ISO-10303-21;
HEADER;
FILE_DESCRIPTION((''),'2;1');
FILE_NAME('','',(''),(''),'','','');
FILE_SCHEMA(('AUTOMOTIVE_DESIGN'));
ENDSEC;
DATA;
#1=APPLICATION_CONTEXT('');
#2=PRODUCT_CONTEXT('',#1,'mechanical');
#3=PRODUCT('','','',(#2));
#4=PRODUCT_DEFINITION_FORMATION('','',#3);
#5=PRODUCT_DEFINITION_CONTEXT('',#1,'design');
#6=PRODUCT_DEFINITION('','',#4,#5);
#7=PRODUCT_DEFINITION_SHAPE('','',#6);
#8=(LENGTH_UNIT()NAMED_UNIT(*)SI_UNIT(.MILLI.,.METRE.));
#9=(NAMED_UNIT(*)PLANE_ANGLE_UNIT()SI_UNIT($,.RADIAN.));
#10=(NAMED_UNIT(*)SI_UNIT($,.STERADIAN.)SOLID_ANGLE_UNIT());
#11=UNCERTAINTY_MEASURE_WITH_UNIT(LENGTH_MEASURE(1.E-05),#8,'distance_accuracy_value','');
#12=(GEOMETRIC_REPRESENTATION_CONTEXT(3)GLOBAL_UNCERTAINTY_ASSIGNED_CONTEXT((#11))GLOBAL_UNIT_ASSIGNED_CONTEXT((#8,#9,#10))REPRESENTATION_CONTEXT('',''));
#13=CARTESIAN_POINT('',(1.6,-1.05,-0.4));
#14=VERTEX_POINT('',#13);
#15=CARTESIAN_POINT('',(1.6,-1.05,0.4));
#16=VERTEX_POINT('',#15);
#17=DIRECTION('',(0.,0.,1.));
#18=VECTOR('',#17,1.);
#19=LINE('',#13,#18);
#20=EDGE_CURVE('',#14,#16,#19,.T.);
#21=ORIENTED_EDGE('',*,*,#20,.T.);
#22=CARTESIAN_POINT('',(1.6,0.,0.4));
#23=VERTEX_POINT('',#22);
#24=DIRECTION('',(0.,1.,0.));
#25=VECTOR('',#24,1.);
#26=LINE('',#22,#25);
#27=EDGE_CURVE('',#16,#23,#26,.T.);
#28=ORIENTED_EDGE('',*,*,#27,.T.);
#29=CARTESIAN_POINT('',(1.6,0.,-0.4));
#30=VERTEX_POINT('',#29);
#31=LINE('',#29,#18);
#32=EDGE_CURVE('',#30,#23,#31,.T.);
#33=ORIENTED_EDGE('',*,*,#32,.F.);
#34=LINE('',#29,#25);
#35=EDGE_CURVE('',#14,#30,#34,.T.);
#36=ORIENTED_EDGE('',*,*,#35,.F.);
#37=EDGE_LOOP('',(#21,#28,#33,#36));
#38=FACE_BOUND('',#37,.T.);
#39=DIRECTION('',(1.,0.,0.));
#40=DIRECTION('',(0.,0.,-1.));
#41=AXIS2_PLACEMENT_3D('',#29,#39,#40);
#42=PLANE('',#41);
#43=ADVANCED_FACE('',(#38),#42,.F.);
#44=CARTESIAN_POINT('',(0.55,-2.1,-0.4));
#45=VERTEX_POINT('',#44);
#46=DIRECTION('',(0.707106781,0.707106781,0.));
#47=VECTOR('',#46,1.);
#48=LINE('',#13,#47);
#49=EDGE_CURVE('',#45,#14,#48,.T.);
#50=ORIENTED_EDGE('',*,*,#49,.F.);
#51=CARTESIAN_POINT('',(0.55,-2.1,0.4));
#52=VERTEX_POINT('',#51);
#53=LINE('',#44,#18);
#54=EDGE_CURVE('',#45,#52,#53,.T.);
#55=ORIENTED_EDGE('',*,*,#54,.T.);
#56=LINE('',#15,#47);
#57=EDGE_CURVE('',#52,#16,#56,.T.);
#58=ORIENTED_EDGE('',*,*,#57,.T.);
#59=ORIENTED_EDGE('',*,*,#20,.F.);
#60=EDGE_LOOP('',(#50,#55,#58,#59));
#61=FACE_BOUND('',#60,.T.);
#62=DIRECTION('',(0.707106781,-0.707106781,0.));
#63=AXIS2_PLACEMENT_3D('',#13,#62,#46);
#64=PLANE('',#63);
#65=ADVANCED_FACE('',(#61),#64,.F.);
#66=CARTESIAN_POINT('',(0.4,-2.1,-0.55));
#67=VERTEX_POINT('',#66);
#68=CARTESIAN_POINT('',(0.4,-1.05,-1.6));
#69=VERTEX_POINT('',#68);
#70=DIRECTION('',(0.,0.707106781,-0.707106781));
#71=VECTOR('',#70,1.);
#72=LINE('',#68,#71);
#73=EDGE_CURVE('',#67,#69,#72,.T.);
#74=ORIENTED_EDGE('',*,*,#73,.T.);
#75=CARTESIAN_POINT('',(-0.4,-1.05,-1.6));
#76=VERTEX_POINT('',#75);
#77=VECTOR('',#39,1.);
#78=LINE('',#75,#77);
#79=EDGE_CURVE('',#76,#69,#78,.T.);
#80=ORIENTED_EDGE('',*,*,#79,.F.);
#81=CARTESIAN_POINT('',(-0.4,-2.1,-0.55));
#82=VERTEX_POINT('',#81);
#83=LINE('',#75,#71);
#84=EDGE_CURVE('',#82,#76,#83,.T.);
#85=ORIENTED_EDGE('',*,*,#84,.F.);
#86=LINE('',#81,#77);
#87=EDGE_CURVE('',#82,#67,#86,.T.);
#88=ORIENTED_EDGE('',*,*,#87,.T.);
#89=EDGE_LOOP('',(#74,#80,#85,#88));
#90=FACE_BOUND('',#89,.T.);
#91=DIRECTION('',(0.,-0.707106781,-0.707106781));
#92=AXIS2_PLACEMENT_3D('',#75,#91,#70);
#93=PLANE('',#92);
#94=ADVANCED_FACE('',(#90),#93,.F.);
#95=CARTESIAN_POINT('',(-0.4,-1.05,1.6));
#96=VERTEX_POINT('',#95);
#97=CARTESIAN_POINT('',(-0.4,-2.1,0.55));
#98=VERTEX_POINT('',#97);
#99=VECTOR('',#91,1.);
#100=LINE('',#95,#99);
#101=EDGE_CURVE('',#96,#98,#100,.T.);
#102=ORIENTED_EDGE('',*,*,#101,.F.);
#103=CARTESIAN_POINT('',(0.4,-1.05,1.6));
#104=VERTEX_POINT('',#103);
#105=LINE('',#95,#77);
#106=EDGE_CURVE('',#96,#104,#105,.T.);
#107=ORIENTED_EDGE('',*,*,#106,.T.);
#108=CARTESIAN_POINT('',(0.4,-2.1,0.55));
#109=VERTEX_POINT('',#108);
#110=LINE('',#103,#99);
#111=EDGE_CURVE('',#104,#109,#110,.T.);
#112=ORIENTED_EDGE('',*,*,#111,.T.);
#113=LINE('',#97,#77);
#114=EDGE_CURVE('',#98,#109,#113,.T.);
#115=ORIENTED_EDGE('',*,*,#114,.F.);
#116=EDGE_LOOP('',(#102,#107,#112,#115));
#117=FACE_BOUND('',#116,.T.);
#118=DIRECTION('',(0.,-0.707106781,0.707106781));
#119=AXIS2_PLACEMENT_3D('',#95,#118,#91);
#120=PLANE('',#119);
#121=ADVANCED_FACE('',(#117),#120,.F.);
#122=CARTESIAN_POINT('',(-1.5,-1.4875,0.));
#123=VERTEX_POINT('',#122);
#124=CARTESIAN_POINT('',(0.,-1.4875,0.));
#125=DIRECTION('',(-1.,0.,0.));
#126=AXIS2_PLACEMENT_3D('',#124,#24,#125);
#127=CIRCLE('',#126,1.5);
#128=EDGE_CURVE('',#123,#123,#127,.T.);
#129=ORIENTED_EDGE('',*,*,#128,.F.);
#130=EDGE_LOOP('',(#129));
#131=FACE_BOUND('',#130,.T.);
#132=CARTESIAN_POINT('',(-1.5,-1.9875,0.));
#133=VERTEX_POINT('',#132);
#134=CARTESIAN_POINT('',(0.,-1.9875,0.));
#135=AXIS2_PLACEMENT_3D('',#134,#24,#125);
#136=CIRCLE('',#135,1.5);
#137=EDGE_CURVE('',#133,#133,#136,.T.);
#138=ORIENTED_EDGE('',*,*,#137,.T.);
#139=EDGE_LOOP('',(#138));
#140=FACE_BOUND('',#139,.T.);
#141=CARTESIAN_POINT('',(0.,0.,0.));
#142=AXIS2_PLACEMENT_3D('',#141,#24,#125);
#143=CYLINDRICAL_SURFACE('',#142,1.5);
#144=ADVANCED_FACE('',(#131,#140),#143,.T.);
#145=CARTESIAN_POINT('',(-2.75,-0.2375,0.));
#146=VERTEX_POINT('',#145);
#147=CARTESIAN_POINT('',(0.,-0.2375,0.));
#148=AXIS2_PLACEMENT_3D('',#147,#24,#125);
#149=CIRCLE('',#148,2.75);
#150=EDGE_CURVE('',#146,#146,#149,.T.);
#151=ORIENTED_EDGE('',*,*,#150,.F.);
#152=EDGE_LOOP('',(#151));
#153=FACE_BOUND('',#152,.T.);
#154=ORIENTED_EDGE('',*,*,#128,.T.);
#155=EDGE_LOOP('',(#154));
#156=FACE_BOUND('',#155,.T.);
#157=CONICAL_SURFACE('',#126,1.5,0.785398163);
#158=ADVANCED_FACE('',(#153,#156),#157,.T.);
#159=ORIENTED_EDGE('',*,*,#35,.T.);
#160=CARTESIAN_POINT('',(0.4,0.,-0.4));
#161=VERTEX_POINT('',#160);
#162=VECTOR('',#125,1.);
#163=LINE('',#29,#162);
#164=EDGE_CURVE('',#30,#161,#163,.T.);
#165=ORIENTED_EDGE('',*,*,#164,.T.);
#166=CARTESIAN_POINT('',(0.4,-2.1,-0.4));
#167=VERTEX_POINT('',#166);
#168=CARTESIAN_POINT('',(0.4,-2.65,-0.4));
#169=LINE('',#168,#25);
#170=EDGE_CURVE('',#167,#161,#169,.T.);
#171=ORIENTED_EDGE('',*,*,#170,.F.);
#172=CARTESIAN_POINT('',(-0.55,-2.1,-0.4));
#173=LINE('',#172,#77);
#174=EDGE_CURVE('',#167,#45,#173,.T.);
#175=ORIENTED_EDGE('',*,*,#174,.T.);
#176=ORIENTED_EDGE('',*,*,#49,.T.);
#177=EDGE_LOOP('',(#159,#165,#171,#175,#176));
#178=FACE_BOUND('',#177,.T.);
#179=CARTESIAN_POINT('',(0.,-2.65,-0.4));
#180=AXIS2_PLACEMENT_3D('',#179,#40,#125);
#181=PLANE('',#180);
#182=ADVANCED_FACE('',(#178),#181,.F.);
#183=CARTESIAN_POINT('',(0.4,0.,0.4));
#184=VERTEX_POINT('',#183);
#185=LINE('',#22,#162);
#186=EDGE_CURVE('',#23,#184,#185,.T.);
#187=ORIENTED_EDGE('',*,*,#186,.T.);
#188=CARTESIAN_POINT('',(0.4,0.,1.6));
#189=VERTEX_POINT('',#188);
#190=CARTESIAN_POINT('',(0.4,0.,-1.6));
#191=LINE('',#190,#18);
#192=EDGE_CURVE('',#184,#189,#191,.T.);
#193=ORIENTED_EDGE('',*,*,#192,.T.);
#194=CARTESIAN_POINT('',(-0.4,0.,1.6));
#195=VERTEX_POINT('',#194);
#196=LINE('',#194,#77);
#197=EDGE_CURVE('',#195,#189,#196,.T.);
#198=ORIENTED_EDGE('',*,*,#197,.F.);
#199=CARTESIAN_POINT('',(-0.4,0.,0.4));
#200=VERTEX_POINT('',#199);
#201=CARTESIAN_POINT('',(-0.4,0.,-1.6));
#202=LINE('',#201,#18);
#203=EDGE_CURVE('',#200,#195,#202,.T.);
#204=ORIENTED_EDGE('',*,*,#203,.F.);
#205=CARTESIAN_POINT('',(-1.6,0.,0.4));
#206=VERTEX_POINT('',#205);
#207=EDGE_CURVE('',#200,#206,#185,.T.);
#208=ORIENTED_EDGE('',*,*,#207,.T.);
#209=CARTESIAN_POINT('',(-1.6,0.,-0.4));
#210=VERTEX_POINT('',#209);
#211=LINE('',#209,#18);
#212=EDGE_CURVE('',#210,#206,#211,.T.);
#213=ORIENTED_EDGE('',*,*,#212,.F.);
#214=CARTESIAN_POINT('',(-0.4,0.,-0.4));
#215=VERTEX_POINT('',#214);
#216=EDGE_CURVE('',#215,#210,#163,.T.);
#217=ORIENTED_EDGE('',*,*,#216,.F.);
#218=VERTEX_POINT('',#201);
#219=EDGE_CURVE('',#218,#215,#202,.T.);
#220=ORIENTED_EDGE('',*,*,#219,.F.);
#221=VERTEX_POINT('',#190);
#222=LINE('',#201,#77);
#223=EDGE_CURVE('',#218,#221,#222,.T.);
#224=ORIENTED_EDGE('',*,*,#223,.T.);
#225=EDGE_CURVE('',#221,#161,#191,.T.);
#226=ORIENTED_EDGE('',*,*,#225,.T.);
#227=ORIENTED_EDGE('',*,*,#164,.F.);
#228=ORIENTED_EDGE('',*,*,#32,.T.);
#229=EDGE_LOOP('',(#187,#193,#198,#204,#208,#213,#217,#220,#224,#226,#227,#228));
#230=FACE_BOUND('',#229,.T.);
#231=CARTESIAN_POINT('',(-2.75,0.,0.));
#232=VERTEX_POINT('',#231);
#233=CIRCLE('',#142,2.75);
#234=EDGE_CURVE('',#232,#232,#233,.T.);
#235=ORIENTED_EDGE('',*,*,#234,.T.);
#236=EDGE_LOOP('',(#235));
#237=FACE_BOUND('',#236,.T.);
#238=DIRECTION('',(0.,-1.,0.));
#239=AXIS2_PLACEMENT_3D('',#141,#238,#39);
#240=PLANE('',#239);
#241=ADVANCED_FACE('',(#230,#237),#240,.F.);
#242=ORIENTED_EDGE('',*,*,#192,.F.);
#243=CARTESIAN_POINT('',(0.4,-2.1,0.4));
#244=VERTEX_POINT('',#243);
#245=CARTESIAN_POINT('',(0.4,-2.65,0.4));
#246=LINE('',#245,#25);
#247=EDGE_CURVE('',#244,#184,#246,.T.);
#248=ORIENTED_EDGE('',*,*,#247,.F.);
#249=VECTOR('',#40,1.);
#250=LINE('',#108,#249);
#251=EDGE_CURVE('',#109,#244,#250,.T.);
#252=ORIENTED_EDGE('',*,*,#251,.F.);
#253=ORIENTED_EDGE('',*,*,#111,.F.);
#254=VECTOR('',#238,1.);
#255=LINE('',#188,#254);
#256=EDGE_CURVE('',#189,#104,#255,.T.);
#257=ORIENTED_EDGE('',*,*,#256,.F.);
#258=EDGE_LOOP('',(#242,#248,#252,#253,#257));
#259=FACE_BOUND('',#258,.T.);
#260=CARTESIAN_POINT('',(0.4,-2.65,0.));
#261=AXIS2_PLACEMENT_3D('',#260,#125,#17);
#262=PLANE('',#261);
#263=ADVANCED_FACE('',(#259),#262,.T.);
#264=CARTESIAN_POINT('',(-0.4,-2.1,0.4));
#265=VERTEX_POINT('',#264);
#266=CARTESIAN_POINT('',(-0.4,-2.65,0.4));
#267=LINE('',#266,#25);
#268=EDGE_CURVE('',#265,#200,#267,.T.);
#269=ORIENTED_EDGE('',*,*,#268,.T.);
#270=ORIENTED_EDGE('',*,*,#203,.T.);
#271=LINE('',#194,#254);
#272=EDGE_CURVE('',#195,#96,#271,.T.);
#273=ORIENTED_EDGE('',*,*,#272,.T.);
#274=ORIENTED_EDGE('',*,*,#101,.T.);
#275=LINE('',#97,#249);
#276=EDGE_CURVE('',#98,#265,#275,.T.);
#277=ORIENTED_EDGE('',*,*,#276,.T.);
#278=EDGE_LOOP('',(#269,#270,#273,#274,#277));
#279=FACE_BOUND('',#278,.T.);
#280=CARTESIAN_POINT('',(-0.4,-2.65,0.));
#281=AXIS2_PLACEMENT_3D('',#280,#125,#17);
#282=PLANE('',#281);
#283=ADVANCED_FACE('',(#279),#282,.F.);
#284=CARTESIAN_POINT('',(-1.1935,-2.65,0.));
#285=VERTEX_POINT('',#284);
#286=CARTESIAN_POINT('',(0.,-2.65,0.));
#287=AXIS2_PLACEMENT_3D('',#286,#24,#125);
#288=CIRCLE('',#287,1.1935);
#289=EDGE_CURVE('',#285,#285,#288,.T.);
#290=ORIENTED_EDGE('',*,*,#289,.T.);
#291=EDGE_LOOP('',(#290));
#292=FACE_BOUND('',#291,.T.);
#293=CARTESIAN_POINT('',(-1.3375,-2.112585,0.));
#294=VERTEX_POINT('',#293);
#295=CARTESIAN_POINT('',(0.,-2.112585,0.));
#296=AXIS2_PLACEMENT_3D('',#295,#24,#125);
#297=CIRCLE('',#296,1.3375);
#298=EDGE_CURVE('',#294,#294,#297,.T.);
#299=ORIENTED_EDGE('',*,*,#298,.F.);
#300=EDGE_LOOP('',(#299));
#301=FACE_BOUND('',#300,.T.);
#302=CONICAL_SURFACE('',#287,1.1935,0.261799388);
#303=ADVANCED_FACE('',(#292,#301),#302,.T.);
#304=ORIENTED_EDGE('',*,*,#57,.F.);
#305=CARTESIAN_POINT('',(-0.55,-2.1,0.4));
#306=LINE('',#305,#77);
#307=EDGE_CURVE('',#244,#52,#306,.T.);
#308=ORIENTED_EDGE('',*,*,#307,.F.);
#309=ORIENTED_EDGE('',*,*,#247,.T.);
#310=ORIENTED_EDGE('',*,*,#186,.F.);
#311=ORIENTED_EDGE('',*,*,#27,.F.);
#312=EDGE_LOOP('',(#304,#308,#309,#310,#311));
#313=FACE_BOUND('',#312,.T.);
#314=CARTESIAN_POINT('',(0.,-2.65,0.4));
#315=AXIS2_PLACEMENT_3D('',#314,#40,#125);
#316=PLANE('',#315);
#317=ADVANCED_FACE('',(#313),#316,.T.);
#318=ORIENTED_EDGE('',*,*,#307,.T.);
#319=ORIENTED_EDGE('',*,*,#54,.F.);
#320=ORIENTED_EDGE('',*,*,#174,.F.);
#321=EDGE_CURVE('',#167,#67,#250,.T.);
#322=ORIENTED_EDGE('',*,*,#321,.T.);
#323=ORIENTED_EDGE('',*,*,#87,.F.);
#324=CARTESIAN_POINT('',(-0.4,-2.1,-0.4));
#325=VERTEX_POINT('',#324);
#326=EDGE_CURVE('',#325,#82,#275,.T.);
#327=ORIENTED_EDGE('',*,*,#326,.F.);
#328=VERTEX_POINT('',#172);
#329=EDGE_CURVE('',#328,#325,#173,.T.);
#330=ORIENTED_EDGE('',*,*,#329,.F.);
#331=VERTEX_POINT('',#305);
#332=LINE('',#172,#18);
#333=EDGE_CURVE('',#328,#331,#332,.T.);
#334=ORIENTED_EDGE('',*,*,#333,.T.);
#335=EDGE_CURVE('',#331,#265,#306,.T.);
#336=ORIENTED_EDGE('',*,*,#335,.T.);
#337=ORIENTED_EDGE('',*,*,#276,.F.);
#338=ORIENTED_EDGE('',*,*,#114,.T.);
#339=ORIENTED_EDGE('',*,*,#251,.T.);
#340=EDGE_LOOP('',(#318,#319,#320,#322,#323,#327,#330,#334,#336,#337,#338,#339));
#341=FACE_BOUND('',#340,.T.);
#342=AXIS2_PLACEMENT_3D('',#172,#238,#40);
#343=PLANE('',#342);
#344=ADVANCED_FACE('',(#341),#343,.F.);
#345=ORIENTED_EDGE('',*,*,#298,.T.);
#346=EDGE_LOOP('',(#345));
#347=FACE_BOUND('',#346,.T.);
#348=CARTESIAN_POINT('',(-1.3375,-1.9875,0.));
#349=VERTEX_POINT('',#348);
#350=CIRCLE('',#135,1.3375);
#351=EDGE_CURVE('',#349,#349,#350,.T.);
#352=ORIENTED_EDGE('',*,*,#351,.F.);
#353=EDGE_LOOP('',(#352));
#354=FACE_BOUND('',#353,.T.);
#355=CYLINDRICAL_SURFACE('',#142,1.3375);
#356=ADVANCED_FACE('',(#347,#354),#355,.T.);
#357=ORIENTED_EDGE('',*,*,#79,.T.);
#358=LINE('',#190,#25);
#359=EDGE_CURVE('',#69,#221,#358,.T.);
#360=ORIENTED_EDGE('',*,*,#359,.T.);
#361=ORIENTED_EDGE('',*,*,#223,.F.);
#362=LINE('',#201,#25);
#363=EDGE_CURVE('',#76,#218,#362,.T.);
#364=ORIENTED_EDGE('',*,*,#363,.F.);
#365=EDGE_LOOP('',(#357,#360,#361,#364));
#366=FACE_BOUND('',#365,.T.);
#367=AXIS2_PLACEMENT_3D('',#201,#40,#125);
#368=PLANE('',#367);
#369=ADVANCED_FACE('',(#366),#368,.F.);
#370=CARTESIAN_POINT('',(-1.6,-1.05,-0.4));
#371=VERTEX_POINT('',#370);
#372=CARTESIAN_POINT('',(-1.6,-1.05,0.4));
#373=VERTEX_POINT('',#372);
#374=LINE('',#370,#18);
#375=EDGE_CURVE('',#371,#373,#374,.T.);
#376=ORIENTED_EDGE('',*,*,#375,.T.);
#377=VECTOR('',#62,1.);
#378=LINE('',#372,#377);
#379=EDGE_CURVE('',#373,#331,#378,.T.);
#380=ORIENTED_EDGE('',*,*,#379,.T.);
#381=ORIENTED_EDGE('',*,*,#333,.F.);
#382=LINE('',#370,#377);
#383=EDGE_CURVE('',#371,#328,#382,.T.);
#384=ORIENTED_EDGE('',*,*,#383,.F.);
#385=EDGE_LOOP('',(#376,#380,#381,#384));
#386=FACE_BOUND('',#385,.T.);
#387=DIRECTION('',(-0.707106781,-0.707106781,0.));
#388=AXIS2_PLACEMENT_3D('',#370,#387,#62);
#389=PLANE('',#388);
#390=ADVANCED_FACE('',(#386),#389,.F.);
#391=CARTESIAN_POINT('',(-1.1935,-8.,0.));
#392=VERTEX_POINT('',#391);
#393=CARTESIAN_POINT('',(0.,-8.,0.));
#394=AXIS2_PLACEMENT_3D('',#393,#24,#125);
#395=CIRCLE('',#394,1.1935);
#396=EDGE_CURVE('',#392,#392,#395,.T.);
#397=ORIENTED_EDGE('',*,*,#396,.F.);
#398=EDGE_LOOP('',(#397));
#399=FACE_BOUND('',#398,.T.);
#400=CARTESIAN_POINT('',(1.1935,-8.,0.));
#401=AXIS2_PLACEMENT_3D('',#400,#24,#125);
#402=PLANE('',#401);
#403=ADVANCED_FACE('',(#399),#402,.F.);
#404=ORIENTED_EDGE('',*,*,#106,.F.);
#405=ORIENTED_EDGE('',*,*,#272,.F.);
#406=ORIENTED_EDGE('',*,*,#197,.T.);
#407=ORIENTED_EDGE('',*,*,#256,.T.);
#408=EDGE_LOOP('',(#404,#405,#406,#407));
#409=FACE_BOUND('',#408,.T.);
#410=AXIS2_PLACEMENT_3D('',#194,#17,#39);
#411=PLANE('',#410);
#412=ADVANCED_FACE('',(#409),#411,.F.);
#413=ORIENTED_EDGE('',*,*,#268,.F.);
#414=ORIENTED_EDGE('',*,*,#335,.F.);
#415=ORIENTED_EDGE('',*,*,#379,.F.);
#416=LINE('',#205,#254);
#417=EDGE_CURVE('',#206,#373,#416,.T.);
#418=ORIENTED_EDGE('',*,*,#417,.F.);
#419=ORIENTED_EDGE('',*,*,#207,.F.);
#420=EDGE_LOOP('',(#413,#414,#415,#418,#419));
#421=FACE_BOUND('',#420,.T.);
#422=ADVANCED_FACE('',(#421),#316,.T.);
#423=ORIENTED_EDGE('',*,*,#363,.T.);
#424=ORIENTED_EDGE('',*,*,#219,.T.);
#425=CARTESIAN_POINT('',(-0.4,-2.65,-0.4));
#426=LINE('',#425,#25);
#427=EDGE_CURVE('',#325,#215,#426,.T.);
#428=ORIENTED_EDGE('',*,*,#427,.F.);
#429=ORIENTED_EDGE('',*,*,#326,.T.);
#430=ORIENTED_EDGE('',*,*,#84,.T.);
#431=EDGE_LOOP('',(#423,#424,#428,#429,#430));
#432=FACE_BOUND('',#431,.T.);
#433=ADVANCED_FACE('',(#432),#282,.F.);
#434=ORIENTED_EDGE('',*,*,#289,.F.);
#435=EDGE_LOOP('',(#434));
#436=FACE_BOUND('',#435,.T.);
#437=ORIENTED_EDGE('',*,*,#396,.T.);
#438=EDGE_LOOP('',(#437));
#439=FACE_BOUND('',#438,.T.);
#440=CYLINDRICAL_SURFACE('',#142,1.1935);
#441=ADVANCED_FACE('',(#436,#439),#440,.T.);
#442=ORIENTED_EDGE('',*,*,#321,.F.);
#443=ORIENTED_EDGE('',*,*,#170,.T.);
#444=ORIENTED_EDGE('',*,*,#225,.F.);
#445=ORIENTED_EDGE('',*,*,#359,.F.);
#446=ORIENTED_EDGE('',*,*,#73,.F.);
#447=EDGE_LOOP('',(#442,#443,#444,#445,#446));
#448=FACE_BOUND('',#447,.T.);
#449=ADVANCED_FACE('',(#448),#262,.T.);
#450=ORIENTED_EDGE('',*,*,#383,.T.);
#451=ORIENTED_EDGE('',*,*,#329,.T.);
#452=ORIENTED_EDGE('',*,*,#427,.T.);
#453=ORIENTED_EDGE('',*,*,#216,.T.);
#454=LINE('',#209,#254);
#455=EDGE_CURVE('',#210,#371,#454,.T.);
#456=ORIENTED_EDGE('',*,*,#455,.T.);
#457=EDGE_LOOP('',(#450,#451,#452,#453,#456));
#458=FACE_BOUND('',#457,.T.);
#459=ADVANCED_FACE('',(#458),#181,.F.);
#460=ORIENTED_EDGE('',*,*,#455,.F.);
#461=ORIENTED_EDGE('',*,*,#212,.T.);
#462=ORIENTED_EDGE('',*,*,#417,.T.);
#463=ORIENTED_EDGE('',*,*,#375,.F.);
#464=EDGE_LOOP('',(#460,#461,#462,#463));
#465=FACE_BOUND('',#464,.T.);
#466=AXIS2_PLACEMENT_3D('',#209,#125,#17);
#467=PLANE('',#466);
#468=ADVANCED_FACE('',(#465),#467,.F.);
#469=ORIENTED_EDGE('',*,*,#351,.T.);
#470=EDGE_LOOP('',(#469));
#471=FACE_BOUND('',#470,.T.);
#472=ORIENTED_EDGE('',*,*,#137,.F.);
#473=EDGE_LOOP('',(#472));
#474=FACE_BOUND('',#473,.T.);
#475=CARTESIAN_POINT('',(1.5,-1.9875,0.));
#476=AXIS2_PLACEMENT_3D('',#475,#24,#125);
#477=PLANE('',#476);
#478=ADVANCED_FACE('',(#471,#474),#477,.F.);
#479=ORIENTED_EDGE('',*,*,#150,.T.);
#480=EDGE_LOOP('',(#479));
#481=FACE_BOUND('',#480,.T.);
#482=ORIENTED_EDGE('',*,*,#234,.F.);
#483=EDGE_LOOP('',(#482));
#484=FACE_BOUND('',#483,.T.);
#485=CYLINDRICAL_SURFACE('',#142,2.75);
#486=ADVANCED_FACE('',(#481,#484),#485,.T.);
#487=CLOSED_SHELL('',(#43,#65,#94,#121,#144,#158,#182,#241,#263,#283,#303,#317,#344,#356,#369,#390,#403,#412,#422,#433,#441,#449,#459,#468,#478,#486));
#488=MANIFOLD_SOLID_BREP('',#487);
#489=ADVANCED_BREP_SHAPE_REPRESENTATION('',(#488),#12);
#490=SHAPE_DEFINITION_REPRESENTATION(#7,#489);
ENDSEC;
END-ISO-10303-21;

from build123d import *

# Parameters (mm, degrees)
KREUZSCHLITZ1_H_DEPTH      = 0.4
KREUZSCHLITZ1_H_DEPTH_BACK = 0.4
KREUZSCHLITZ2_H_DEPTH      = 0.4
KREUZSCHLITZ2_H_DEPTH_BACK = 0.4


with BuildPart() as part:
    # Skizze1 → Basis-Rotation (revolve)
    with BuildSketch(Plane.XY, mode=Mode.PRIVATE) as basis_rotation_sk:
        Polygon((0, 0), (2.75, 0), (2.75, -0.2375), (1.5, -1.4875), (1.5, -1.9875), (1.3375, -1.9875), (1.3375, -2.112584684), (1.1935, -2.65), (1.1935, -8), (0, -8), align=None)
    revolve(basis_rotation_sk.sketch.rotate(Axis((0, 0, 0), (0, -1, 0)), 180), axis=Axis((0, 0, 0), (0, -1, 0)))

    # Skizze2 → Kreuzschlitz1 H (cut, two sides: drawn at the far end of the back side and taken through both)
    with BuildSketch(Plane.XY.offset(-KREUZSCHLITZ1_H_DEPTH_BACK)):
        Polygon((-0.55, -2.1), (0.55, -2.1), (1.6, -1.05), (1.6, 0), (-1.6, 0), (-1.6, -1.05), align=None)
    extrude(amount=KREUZSCHLITZ1_H_DEPTH + KREUZSCHLITZ1_H_DEPTH_BACK, mode=Mode.SUBTRACT)

    # Skizze3 → Kreuzschlitz2 H (cut, two sides: drawn at the far end of the back side and taken through both)
    with BuildSketch(Plane(origin=(0, 0, 0), x_dir=(0, 0, -1), z_dir=(1, 0, 0)).offset(-KREUZSCHLITZ2_H_DEPTH_BACK)):
        Polygon((-0.55, -2.1), (0.55, -2.1), (1.6, -1.05), (1.6, 0), (-1.6, 0), (-1.6, -1.05), align=None)
    extrude(amount=KREUZSCHLITZ2_H_DEPTH + KREUZSCHLITZ2_H_DEPTH_BACK, mode=Mode.SUBTRACT)


solid = part.part
